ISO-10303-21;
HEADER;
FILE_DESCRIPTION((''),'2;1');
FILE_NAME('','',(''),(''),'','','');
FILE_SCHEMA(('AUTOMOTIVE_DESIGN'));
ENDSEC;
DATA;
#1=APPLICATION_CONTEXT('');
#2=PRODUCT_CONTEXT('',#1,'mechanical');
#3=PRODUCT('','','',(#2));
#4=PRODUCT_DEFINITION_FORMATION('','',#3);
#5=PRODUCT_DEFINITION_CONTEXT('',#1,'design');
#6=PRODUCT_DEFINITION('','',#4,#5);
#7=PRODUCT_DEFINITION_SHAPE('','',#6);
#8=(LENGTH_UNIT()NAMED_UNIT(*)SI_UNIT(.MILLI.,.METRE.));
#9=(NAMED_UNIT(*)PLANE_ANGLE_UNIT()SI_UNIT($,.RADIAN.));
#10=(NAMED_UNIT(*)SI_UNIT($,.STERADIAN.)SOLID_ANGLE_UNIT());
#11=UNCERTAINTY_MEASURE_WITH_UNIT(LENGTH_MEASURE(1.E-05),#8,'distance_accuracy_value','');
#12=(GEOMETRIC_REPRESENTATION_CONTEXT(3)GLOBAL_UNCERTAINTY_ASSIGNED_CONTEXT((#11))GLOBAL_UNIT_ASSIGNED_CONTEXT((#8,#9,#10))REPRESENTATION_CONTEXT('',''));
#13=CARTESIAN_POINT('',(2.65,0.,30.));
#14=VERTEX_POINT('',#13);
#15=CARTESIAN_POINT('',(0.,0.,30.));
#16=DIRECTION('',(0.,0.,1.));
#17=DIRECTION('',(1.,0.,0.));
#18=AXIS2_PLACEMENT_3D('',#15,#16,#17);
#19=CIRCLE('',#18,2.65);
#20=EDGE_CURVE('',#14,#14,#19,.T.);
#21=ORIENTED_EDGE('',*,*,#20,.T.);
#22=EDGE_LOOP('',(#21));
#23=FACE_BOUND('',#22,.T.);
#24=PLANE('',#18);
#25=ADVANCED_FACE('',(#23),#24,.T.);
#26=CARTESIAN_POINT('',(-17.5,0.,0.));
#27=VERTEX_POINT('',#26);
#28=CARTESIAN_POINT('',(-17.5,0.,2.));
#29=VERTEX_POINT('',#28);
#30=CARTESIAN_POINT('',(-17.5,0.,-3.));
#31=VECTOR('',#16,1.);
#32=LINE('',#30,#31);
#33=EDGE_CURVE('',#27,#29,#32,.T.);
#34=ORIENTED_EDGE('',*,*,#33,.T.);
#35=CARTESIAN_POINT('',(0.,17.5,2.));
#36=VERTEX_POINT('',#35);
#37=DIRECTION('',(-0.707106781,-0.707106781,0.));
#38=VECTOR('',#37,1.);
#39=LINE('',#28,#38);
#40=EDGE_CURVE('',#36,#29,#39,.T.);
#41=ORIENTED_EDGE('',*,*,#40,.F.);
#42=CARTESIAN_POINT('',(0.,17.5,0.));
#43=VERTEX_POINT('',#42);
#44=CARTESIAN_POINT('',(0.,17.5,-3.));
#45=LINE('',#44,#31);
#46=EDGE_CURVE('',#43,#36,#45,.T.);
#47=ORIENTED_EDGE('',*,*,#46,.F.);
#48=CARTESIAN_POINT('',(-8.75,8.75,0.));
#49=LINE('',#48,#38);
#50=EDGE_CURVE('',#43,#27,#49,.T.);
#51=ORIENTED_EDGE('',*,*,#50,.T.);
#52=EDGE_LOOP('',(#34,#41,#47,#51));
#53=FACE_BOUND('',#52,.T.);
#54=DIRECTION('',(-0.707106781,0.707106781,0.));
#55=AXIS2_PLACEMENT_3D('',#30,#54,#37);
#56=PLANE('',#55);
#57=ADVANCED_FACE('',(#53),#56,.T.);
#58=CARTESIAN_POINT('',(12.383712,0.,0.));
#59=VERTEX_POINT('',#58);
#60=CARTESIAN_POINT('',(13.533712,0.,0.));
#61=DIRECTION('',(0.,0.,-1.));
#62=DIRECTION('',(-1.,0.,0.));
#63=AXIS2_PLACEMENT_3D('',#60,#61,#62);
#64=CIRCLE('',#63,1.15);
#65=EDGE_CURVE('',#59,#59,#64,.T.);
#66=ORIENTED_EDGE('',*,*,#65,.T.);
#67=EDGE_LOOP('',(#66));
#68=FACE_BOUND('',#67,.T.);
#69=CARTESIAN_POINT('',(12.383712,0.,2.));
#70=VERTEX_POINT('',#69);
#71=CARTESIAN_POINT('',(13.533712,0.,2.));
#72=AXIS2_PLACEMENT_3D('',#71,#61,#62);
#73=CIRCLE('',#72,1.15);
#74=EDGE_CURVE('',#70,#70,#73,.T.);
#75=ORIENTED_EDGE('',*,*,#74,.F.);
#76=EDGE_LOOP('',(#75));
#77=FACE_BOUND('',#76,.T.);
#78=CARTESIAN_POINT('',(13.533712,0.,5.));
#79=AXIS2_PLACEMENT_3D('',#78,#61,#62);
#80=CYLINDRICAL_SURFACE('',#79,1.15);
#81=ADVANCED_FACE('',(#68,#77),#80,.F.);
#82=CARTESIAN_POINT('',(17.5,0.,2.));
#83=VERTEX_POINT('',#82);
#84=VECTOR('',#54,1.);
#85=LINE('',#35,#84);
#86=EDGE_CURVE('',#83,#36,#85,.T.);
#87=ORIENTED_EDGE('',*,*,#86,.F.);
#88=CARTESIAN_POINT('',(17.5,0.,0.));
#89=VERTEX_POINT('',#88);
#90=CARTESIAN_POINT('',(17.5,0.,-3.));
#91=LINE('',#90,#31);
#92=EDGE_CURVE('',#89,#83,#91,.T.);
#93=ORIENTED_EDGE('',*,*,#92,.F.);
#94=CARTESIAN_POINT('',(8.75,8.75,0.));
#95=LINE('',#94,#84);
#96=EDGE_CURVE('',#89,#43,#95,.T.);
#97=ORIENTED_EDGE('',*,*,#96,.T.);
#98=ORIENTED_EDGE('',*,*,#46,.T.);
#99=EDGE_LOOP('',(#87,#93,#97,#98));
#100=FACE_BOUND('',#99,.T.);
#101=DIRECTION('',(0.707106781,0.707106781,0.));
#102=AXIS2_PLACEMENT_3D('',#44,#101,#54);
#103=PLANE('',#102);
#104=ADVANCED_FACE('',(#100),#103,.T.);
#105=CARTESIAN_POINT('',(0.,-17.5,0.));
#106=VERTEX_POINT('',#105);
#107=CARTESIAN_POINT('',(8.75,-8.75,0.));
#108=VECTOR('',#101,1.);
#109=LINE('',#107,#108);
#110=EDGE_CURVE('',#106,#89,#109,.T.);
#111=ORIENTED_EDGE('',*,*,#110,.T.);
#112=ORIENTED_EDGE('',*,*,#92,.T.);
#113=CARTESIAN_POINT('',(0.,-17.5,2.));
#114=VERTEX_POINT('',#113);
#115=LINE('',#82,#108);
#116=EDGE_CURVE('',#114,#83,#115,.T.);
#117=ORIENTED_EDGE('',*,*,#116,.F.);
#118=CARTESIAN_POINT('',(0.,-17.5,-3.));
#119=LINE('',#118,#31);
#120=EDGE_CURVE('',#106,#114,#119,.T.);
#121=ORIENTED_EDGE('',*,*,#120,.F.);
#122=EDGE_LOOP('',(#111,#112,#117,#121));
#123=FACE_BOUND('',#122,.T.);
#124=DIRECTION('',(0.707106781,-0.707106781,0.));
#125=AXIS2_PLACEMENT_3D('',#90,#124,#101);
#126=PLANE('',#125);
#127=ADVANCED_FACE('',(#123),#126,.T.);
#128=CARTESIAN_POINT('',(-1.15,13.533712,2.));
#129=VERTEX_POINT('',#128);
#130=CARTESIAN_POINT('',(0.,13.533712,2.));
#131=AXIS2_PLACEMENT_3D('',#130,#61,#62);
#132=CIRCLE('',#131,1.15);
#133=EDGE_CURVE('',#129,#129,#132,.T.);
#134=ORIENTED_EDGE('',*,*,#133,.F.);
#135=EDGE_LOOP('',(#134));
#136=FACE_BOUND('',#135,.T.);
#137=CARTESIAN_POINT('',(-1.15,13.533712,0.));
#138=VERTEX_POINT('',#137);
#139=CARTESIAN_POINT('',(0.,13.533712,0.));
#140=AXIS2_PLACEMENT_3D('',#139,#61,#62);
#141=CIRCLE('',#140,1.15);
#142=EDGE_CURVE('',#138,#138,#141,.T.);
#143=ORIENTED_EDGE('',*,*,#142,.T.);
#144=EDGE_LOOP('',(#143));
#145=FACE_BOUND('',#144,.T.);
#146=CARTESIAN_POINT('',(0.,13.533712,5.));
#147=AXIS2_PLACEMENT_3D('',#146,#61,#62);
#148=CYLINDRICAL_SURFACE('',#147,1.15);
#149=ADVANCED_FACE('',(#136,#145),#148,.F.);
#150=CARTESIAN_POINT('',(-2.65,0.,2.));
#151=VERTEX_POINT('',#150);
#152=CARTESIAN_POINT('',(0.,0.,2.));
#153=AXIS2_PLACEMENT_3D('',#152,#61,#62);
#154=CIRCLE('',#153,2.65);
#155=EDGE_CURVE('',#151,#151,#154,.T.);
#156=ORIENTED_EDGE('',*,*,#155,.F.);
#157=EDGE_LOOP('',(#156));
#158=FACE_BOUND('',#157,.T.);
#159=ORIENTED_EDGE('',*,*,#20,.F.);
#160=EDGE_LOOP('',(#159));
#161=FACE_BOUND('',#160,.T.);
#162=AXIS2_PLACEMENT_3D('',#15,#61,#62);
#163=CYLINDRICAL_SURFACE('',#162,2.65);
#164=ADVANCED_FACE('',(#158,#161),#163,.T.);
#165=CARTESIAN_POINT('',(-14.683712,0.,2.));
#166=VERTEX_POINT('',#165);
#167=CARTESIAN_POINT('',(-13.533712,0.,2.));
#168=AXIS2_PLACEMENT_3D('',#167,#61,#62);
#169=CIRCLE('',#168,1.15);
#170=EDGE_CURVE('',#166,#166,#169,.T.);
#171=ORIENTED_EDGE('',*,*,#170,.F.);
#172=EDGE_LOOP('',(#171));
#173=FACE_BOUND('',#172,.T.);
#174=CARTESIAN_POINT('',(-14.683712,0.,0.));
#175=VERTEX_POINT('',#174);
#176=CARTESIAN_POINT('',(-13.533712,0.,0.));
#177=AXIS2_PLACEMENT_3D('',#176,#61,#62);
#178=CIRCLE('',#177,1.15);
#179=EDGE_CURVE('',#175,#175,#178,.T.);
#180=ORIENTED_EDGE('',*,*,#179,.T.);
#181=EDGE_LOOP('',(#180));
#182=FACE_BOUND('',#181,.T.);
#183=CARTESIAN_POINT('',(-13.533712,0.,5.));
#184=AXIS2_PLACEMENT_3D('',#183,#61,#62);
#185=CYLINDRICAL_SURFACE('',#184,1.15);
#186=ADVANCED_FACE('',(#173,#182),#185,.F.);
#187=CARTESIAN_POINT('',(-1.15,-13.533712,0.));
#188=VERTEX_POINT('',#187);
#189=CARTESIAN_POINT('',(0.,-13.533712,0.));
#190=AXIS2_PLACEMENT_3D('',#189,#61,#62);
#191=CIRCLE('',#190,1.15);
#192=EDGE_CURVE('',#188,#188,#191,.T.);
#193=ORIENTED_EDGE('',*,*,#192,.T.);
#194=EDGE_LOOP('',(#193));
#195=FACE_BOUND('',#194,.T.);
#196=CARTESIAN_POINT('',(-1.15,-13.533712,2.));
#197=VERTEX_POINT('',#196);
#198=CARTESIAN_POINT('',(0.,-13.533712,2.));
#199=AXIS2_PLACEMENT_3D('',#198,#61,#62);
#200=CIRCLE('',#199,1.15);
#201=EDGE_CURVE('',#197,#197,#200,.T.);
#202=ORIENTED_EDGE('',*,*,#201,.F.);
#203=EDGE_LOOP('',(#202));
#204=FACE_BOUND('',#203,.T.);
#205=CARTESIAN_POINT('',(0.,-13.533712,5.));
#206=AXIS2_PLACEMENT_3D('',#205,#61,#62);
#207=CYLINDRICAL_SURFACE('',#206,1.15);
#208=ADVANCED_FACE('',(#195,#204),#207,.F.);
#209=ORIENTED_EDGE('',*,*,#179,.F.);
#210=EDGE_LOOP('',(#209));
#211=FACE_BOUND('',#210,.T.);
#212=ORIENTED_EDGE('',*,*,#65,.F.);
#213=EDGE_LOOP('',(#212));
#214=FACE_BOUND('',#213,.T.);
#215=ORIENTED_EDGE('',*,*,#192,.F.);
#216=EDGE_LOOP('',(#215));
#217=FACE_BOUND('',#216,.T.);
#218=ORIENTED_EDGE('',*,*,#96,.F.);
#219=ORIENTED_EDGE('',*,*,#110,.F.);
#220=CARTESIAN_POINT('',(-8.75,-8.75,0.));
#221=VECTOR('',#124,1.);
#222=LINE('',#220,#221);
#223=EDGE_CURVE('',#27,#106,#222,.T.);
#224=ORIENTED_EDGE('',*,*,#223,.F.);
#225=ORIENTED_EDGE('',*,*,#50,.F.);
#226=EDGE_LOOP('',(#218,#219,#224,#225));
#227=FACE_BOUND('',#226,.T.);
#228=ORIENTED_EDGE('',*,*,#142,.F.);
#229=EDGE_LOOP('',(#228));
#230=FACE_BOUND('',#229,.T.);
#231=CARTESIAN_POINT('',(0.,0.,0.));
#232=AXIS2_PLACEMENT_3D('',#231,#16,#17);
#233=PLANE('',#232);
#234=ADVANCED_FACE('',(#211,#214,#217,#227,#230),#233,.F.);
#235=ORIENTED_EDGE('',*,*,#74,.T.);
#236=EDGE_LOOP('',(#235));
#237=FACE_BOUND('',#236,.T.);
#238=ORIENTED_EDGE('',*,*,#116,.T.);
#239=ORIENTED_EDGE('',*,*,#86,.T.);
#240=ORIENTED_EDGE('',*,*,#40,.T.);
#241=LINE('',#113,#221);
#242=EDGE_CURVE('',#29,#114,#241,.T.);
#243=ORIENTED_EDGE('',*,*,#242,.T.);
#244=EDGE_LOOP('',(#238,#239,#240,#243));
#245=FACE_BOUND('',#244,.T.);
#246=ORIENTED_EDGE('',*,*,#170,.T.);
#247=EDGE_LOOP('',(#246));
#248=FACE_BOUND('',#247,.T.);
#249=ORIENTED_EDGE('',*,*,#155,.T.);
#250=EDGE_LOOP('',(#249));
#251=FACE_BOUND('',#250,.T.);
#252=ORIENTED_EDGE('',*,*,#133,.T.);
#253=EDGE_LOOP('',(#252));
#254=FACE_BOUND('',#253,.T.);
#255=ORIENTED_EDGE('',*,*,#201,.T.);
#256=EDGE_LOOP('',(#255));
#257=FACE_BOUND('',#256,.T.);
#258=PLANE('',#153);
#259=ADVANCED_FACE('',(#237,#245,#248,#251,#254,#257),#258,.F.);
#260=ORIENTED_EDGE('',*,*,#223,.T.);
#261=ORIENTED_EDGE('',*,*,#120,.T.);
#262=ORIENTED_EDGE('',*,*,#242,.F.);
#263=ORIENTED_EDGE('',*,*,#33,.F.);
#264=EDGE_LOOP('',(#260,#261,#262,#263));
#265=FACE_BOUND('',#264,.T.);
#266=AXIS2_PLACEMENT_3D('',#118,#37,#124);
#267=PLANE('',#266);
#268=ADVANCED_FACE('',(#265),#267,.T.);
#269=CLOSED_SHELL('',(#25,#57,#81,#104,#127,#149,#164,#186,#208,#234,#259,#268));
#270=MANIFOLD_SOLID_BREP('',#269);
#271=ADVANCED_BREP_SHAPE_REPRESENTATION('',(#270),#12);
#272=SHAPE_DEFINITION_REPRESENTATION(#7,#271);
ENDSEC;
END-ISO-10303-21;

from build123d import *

# Parameters (mm, degrees)
SKETCH_1_R          = 2.65
EXTRUDE_1_DEPTH     = 30
SKETCH_2_W          = 35
SKETCH_2_H          = 35
EXTRUDE_2_DEPTH     = 2
SKETCH_8_R          = 1.15
CUT_EXTRUDE_5_DEPTH = 5
SKETCH_10_OUTSIDE_W = 48.576
SKETCH_10_OUTSIDE_H = 48.576
CUT_EXTRUDE_6_DEPTH = 5


with BuildPart() as part:
    # 스케치1 → 보스-돌출1 (new body)
    with BuildSketch(Plane.XY):
        Circle(SKETCH_1_R)
    extrude(amount=EXTRUDE_1_DEPTH)

    # 스케치2 → 보스-돌출2 (add)
    with BuildSketch(Plane(origin=(0, 0, 0), x_dir=(-1, 0, 0), z_dir=(0, 0, -1))):
        Rectangle(SKETCH_2_W, SKETCH_2_H)
    extrude(amount=-EXTRUDE_2_DEPTH)

    # 스케치8 → 컷-돌출5 (cut)
    with BuildSketch(Plane(origin=(0, 0, 0), x_dir=(-1, 0, 0), z_dir=(0, 0, -1))):
        with Locations((13.533711803, 0)):
            Circle(SKETCH_8_R)
        with Locations((0, -13.533711803)):
            Circle(SKETCH_8_R)
        with Locations((-13.533711803, 0)):
            Circle(SKETCH_8_R)
        with Locations((0, 13.533711803)):
            Circle(SKETCH_8_R)
    extrude(amount=-CUT_EXTRUDE_5_DEPTH, mode=Mode.SUBTRACT)

    # 스케치10 outside → 컷-돌출6 (cut)
    with BuildSketch(Plane.XY.offset(2)):
        Rectangle(SKETCH_10_OUTSIDE_W, SKETCH_10_OUTSIDE_H)
        Polygon((-17.5, 0), (0, 17.5), (17.5, 0), (0, -17.5), align=None, mode=Mode.SUBTRACT)
    extrude(amount=-CUT_EXTRUDE_6_DEPTH, mode=Mode.SUBTRACT)


solid = part.part
